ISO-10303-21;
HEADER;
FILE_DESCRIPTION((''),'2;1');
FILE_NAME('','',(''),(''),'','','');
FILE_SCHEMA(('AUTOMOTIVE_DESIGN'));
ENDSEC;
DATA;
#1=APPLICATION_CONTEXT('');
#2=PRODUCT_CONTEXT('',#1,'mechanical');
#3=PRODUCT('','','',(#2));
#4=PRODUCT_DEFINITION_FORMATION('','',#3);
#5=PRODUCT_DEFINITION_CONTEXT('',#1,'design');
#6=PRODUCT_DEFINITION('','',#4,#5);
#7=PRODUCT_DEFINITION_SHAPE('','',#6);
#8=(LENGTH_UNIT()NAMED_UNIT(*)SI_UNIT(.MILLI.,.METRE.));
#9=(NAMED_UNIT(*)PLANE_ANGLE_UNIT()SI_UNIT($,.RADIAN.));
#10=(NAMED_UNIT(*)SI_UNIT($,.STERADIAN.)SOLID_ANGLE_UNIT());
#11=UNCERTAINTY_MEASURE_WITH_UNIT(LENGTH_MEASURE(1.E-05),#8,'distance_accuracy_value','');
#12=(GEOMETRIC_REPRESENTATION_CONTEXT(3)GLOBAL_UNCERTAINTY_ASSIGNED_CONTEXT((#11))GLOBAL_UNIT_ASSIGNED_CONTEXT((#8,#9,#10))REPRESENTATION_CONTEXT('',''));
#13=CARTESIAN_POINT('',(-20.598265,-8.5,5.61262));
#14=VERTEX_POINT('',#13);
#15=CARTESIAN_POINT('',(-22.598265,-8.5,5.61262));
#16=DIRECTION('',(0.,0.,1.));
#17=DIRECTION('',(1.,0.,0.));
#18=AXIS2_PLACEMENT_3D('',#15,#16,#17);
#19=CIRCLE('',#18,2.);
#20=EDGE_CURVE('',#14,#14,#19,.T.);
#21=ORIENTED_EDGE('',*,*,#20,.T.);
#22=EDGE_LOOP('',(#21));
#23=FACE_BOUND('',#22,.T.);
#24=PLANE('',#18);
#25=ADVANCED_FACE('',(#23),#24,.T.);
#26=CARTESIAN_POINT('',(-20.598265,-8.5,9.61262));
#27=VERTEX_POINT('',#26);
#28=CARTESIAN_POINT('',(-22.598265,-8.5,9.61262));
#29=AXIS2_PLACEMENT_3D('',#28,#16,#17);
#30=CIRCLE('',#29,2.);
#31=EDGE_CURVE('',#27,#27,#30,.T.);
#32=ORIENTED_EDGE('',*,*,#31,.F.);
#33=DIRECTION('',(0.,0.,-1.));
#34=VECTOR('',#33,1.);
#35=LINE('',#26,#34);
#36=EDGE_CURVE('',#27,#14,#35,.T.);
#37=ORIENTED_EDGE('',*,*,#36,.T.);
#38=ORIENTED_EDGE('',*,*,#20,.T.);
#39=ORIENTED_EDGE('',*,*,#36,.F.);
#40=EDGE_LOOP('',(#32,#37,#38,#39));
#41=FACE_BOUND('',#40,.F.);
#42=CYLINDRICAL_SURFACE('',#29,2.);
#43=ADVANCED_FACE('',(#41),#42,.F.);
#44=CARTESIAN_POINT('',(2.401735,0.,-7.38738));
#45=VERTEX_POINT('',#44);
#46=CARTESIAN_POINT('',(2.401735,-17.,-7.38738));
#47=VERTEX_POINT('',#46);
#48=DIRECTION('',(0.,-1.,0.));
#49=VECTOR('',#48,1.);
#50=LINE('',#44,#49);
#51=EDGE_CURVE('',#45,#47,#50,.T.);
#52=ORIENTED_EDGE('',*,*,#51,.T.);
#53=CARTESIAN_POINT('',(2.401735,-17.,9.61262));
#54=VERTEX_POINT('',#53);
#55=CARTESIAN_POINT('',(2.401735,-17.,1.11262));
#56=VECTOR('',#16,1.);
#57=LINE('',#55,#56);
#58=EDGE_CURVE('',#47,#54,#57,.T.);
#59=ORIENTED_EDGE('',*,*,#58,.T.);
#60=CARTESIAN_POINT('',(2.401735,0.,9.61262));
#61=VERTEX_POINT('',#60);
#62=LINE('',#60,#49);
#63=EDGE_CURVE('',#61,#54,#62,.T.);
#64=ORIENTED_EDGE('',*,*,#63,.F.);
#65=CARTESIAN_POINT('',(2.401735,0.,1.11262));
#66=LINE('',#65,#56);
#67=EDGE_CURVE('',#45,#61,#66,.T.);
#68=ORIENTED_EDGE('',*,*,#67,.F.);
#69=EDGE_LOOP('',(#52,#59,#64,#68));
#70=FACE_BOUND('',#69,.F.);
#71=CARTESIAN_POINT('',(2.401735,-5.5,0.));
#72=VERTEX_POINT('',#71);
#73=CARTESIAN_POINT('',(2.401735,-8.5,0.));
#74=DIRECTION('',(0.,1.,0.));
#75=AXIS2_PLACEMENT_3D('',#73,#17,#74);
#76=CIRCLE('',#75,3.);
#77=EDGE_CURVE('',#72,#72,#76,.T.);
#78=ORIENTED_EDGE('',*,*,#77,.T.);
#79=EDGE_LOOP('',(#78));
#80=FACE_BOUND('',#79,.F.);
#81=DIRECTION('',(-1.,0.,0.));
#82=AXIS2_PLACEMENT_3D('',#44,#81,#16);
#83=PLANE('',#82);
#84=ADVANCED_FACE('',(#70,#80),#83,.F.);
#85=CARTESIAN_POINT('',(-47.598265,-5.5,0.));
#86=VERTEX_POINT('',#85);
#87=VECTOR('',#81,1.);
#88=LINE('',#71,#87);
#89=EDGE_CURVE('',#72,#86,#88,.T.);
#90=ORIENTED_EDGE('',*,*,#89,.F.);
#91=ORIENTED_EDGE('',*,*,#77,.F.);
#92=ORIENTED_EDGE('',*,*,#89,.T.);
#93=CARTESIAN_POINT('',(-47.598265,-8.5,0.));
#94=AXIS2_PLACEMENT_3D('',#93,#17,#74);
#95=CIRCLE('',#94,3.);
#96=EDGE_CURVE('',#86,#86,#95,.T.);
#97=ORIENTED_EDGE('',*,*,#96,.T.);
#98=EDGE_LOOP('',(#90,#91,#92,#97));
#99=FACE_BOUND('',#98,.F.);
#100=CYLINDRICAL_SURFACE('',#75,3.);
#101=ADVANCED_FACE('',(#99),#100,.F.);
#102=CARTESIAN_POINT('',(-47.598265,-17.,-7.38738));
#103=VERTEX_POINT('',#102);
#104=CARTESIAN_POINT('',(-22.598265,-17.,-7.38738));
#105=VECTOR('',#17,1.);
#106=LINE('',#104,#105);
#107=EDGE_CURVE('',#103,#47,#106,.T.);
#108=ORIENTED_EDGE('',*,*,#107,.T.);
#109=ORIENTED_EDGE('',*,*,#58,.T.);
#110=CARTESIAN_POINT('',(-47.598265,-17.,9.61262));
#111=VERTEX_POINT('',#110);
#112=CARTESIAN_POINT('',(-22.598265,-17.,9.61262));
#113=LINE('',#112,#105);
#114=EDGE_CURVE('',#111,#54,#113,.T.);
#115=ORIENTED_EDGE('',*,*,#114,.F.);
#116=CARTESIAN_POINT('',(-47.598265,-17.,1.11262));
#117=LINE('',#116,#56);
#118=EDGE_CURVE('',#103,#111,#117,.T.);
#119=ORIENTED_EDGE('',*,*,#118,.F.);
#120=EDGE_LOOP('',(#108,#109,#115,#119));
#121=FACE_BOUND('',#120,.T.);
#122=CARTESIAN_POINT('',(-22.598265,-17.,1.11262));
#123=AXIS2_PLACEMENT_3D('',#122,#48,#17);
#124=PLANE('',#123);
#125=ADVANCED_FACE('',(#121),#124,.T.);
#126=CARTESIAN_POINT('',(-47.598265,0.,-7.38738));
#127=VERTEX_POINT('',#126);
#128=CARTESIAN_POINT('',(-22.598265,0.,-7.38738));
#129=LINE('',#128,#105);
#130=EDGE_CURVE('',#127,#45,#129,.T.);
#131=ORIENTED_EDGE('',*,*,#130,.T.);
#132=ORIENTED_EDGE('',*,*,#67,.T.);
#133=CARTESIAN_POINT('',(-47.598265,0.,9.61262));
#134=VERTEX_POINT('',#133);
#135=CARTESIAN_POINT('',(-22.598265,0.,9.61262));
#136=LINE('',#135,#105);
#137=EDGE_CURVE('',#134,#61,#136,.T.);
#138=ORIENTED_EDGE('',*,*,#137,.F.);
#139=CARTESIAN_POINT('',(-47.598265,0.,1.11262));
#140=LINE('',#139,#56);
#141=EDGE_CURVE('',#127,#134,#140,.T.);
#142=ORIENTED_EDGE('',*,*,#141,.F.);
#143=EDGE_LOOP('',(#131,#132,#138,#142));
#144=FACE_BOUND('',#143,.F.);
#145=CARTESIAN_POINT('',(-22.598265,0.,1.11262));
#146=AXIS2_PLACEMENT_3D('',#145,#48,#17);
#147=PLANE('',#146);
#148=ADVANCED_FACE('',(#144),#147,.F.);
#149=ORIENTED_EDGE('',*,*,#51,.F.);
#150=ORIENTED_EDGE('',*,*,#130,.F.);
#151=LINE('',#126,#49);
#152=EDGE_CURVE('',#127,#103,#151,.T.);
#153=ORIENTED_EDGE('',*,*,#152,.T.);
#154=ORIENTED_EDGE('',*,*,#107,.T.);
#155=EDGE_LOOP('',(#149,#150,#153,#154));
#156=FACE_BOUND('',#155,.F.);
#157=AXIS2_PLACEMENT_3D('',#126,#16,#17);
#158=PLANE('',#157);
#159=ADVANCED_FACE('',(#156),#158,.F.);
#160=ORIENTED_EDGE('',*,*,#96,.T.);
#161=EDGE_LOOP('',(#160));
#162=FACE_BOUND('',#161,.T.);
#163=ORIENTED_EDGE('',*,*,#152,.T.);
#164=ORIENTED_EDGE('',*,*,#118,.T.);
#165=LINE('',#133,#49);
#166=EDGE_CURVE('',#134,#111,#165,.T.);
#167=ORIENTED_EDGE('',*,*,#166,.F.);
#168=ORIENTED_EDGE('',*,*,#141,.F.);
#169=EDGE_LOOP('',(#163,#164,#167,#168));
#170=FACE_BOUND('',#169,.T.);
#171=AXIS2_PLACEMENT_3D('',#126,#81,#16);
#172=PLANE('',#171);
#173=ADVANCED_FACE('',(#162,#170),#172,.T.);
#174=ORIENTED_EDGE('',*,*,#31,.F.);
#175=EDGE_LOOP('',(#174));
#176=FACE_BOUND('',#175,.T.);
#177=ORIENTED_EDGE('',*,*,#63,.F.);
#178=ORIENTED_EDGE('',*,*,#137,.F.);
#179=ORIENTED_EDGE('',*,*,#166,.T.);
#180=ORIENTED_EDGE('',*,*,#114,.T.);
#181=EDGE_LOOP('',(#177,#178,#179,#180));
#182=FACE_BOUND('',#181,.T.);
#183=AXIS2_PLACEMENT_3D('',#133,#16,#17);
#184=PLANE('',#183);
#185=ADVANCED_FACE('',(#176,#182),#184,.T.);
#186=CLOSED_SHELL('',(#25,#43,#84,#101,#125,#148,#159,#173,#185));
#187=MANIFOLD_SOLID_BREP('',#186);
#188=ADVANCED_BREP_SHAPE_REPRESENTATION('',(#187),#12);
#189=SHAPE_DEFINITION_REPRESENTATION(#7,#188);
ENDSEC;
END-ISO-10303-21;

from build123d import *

# Parameters (mm, degrees)
F0_W     = 50
F0_H     = 17
F1_DEPTH = 17
F2_R     = 3
F3_DEPTH = 50.1
F4_R     = 2
F5_DEPTH = 4


with BuildPart() as f1:
    # F0 (on Front) → F1 (new body)
    with BuildSketch(Plane.XZ):
        with Locations((-22.598265, 1.11262)):
            Rectangle(F0_W, F0_H)
    extrude(amount=F1_DEPTH)

    # F2 (on face) → F3 (cut)
    with BuildSketch(Plane.YZ.offset(2.401735)):
        with Locations((-8.5, 0)):
            Circle(F2_R)
    extrude(amount=-F3_DEPTH, mode=Mode.SUBTRACT)

    # F4 (on face) → F5 (cut)
    with BuildSketch(Plane.XY.offset(9.61262)):
        with Locations((-22.598265, -8.5)):
            Circle(F4_R)
    extrude(amount=-F5_DEPTH, mode=Mode.SUBTRACT)


solid = f1.part
